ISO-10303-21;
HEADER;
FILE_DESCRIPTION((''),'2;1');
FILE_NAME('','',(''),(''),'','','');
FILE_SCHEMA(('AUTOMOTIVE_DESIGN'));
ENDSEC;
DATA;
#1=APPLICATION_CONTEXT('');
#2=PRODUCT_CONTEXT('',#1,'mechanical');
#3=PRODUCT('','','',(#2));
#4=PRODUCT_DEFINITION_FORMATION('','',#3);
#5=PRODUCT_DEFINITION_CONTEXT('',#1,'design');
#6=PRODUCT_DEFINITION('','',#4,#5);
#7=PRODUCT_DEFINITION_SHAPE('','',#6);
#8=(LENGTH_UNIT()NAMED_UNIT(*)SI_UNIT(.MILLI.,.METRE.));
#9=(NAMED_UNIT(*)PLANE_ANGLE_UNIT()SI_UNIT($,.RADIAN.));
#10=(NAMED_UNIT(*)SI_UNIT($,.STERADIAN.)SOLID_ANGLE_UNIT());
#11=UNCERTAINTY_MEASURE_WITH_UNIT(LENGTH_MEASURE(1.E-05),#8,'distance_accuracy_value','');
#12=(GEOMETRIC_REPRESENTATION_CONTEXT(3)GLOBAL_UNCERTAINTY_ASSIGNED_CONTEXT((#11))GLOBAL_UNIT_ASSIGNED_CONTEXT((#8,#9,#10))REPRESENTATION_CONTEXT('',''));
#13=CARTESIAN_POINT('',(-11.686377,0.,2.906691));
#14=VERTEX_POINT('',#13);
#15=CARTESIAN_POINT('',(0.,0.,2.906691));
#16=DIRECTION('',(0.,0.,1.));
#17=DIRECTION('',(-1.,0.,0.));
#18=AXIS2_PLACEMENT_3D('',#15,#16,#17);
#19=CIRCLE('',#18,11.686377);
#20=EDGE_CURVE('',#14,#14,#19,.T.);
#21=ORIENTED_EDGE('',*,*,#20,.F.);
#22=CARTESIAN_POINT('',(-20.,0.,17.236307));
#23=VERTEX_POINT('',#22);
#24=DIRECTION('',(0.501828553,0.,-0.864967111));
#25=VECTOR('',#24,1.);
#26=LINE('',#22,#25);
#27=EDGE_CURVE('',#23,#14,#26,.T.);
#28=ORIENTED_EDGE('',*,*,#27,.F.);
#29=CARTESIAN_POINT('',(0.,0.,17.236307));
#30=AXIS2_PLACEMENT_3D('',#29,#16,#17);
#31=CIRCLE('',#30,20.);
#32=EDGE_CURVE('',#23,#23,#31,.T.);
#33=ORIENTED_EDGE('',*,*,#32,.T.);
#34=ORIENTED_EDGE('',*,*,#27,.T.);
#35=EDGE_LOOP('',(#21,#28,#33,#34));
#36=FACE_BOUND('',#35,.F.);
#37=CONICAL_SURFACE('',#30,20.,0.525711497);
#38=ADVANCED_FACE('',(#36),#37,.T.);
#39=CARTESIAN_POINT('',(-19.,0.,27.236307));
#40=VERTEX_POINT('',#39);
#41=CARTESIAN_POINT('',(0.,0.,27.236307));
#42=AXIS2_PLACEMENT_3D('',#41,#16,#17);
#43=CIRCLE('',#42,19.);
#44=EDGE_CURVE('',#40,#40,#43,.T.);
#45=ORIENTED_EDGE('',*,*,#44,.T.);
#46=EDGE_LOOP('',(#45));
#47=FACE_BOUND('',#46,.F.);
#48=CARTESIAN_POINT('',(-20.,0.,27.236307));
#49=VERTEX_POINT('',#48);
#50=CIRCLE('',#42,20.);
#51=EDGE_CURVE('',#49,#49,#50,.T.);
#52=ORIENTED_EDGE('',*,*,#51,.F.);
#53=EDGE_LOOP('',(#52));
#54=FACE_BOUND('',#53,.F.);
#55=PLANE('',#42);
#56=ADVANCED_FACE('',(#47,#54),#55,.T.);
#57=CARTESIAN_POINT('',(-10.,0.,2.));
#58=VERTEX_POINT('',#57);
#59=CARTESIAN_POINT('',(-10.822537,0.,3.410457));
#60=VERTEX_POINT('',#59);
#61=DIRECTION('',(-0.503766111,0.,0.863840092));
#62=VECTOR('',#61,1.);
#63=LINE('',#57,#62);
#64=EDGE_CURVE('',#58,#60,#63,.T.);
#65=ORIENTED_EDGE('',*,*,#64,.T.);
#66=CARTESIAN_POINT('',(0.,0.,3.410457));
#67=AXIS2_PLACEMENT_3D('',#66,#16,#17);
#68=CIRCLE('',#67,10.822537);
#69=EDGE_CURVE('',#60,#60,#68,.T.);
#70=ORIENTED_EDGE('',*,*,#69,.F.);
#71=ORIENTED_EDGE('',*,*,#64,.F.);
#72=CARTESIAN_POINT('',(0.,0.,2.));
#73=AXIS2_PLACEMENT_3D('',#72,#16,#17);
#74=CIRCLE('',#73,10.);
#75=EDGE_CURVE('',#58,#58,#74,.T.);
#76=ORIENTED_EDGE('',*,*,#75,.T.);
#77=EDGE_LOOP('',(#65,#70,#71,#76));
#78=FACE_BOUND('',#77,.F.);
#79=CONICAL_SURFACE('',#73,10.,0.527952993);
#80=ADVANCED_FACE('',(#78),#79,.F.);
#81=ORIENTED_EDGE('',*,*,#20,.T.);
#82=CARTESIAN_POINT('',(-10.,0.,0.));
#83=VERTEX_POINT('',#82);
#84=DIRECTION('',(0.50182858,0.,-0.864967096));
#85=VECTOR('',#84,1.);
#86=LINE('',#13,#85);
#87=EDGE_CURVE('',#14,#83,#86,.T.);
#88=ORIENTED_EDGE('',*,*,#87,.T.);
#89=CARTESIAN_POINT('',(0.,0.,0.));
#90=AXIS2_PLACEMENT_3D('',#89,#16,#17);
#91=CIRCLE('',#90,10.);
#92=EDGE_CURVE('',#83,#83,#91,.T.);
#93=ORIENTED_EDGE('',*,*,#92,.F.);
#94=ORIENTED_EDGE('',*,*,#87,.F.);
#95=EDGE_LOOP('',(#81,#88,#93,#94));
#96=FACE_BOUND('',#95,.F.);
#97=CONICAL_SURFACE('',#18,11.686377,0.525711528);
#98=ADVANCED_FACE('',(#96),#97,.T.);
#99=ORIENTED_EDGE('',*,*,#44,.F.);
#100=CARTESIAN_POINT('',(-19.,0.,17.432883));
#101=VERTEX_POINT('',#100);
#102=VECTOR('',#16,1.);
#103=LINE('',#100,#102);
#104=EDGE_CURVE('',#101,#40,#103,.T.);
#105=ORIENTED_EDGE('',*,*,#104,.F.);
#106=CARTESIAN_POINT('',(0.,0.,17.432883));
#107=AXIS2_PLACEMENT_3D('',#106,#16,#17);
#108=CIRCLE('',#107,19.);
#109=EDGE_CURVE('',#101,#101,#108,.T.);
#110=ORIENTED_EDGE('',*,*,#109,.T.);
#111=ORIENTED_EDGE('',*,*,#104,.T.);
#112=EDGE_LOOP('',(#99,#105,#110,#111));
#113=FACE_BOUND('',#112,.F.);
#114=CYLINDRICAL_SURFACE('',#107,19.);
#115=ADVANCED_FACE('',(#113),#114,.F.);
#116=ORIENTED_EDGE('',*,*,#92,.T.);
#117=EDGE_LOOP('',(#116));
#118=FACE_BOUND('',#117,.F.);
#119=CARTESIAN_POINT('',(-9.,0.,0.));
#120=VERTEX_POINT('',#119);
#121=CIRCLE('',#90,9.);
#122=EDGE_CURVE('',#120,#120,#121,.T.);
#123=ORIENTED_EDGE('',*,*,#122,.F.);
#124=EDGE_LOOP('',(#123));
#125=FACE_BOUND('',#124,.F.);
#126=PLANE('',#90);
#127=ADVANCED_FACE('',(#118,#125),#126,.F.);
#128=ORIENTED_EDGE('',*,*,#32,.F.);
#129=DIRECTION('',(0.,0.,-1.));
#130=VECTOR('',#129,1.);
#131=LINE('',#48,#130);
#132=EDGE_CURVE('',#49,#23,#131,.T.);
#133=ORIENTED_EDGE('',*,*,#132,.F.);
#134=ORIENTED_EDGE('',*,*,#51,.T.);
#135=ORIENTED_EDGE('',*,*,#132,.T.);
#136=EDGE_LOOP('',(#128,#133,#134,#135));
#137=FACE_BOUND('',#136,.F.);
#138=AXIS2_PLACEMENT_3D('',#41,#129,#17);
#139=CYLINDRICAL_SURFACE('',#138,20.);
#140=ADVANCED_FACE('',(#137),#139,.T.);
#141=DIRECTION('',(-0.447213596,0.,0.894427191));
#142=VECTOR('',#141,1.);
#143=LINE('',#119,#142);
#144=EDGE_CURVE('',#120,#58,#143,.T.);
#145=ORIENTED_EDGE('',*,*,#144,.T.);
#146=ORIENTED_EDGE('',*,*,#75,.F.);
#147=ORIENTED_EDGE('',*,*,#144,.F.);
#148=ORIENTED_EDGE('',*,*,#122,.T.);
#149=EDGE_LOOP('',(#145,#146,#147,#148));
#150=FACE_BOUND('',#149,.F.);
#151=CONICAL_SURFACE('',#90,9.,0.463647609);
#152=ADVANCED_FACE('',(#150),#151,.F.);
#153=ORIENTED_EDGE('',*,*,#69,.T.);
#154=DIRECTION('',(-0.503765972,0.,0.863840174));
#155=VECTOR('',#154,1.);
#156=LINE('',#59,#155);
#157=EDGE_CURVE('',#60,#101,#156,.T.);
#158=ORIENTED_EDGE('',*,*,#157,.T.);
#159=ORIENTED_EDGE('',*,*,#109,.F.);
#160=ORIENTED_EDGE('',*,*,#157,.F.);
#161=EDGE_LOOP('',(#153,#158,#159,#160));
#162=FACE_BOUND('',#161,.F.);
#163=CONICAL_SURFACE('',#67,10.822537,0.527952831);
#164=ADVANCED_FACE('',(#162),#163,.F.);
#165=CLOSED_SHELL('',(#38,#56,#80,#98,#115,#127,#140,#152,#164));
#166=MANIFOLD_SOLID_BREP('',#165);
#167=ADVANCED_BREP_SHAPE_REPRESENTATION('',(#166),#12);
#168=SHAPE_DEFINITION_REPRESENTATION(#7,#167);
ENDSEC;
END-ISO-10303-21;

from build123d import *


with BuildPart() as f1:
    # F0 (on Front) → F1 (revolve)
    with BuildSketch(Plane.XZ):
        Polygon((-10, 0), (-9, 0), (-10, 2), align=None)
        Polygon((-11.686377, 2.906691), (-10, 0), (-10, 2), (-10.822537, 3.410457), align=None)
        Polygon((-20, 17.236307), (-11.686377, 2.906691), (-10.822537, 3.410457), (-19, 17.432883), (-19, 27.236307), (-20, 27.236307), align=None)
    revolve(axis=Axis((0, 0, 8.290515), (0, 0, 1)))


solid = f1.part
